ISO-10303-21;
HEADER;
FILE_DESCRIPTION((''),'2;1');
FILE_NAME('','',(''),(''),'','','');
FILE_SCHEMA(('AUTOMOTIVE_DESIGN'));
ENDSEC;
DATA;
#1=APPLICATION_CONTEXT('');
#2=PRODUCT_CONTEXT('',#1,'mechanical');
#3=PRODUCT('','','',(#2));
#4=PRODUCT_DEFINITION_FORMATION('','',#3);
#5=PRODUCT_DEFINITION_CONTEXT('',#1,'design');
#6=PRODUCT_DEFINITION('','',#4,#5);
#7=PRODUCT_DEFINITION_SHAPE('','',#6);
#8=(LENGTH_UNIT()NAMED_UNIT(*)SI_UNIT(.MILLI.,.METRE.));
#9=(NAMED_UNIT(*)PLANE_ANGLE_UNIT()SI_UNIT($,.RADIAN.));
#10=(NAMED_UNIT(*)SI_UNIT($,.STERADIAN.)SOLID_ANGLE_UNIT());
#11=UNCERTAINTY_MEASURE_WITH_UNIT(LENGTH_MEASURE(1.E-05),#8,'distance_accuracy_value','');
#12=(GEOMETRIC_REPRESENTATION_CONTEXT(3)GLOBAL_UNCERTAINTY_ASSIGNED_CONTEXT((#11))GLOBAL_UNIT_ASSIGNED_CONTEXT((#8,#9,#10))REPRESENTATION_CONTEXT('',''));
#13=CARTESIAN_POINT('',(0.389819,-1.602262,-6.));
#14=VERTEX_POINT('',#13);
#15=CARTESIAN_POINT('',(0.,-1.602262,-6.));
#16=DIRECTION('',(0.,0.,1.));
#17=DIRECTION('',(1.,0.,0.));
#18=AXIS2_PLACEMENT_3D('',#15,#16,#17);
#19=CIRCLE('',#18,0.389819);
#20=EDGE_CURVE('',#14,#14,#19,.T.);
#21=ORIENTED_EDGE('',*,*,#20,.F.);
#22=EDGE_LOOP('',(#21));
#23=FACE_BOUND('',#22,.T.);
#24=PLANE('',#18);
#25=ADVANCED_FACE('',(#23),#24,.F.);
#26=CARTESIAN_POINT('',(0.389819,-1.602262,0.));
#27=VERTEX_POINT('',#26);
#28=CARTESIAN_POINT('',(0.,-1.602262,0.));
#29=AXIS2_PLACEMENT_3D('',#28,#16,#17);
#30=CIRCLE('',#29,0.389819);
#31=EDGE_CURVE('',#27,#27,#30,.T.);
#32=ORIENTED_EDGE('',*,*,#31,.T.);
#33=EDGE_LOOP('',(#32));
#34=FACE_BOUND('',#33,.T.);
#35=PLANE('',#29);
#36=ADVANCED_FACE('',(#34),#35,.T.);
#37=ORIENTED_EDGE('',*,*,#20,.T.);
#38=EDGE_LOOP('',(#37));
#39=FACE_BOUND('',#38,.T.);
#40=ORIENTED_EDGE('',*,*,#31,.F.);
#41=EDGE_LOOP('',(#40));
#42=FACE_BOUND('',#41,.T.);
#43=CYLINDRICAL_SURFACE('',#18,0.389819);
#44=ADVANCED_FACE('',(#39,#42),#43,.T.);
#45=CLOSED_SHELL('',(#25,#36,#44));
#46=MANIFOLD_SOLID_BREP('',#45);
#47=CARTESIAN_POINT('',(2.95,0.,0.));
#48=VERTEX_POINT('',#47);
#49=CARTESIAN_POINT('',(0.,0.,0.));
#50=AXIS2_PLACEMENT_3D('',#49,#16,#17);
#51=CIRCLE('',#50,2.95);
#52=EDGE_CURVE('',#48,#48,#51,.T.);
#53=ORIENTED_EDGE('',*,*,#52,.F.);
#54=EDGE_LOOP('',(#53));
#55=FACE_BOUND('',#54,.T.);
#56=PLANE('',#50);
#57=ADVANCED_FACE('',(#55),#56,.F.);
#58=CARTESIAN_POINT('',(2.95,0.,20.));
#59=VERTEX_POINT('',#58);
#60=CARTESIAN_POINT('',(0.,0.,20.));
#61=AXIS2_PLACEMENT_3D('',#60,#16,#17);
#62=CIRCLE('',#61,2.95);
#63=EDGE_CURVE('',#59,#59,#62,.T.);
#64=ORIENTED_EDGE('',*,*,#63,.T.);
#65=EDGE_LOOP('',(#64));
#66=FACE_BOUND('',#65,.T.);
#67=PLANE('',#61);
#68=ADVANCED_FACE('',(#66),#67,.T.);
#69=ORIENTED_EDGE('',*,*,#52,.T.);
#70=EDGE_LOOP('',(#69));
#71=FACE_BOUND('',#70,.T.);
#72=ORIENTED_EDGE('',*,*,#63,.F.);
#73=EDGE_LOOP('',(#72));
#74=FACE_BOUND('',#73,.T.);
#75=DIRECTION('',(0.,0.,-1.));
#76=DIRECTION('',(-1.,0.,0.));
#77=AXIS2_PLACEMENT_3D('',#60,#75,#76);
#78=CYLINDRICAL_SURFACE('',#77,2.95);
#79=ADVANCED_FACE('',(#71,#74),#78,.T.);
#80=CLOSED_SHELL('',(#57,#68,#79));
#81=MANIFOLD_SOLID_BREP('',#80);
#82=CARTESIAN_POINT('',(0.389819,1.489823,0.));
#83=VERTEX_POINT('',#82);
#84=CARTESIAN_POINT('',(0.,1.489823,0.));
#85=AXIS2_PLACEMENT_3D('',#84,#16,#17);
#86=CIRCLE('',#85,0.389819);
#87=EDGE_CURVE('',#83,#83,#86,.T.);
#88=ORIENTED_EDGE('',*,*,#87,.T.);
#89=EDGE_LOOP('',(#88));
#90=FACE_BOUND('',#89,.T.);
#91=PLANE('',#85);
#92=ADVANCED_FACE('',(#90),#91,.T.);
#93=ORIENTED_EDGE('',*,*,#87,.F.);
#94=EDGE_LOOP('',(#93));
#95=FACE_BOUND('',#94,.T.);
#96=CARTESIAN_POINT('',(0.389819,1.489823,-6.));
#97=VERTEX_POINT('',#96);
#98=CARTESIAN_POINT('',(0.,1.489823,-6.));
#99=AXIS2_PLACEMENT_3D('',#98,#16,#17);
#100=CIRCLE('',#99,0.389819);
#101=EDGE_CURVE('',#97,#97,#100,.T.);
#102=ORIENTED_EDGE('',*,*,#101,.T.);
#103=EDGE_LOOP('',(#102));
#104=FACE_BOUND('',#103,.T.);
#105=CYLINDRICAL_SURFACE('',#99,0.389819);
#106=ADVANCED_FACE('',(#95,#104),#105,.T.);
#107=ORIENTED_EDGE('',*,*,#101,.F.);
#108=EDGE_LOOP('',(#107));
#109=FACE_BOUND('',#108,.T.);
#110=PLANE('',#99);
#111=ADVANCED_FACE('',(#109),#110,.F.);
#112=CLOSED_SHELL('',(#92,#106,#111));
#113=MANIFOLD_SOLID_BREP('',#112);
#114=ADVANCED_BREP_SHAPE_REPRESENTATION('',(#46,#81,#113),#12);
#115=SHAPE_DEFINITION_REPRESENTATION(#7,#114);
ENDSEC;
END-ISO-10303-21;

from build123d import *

# Parameters (mm, degrees)
CROQUIS5_R                = 0.389818599
SALIENTE_EXTRUIR3_DEPTH   = 6
SALIENTE_EXTRUIR3_2_DEPTH = 6
CROQUIS4_R                = 2.95
SALIENTE_EXTRUIR4_DEPTH   = 20


with BuildPart() as part:
    # Croquis5 → Saliente-Extruir3 (new body)
    with BuildSketch(Plane.XY):
        with Locations((0, 1.489822979)):
            Circle(CROQUIS5_R)
    extrude(amount=-SALIENTE_EXTRUIR3_DEPTH)


with BuildPart() as body_2:
    # Croquis5 → Saliente-Extruir3 2 (new body)
    with BuildSketch(Plane.XY):
        with Locations((0, -1.60226245)):
            Circle(CROQUIS5_R)
    extrude(amount=-SALIENTE_EXTRUIR3_2_DEPTH)


with BuildPart() as body_3:
    # Croquis4 → Saliente-Extruir4 (new body)
    with BuildSketch(Plane.XY):
        Circle(CROQUIS4_R)
    extrude(amount=SALIENTE_EXTRUIR4_DEPTH)


solid = Compound([part.part, body_2.part, body_3.part])
